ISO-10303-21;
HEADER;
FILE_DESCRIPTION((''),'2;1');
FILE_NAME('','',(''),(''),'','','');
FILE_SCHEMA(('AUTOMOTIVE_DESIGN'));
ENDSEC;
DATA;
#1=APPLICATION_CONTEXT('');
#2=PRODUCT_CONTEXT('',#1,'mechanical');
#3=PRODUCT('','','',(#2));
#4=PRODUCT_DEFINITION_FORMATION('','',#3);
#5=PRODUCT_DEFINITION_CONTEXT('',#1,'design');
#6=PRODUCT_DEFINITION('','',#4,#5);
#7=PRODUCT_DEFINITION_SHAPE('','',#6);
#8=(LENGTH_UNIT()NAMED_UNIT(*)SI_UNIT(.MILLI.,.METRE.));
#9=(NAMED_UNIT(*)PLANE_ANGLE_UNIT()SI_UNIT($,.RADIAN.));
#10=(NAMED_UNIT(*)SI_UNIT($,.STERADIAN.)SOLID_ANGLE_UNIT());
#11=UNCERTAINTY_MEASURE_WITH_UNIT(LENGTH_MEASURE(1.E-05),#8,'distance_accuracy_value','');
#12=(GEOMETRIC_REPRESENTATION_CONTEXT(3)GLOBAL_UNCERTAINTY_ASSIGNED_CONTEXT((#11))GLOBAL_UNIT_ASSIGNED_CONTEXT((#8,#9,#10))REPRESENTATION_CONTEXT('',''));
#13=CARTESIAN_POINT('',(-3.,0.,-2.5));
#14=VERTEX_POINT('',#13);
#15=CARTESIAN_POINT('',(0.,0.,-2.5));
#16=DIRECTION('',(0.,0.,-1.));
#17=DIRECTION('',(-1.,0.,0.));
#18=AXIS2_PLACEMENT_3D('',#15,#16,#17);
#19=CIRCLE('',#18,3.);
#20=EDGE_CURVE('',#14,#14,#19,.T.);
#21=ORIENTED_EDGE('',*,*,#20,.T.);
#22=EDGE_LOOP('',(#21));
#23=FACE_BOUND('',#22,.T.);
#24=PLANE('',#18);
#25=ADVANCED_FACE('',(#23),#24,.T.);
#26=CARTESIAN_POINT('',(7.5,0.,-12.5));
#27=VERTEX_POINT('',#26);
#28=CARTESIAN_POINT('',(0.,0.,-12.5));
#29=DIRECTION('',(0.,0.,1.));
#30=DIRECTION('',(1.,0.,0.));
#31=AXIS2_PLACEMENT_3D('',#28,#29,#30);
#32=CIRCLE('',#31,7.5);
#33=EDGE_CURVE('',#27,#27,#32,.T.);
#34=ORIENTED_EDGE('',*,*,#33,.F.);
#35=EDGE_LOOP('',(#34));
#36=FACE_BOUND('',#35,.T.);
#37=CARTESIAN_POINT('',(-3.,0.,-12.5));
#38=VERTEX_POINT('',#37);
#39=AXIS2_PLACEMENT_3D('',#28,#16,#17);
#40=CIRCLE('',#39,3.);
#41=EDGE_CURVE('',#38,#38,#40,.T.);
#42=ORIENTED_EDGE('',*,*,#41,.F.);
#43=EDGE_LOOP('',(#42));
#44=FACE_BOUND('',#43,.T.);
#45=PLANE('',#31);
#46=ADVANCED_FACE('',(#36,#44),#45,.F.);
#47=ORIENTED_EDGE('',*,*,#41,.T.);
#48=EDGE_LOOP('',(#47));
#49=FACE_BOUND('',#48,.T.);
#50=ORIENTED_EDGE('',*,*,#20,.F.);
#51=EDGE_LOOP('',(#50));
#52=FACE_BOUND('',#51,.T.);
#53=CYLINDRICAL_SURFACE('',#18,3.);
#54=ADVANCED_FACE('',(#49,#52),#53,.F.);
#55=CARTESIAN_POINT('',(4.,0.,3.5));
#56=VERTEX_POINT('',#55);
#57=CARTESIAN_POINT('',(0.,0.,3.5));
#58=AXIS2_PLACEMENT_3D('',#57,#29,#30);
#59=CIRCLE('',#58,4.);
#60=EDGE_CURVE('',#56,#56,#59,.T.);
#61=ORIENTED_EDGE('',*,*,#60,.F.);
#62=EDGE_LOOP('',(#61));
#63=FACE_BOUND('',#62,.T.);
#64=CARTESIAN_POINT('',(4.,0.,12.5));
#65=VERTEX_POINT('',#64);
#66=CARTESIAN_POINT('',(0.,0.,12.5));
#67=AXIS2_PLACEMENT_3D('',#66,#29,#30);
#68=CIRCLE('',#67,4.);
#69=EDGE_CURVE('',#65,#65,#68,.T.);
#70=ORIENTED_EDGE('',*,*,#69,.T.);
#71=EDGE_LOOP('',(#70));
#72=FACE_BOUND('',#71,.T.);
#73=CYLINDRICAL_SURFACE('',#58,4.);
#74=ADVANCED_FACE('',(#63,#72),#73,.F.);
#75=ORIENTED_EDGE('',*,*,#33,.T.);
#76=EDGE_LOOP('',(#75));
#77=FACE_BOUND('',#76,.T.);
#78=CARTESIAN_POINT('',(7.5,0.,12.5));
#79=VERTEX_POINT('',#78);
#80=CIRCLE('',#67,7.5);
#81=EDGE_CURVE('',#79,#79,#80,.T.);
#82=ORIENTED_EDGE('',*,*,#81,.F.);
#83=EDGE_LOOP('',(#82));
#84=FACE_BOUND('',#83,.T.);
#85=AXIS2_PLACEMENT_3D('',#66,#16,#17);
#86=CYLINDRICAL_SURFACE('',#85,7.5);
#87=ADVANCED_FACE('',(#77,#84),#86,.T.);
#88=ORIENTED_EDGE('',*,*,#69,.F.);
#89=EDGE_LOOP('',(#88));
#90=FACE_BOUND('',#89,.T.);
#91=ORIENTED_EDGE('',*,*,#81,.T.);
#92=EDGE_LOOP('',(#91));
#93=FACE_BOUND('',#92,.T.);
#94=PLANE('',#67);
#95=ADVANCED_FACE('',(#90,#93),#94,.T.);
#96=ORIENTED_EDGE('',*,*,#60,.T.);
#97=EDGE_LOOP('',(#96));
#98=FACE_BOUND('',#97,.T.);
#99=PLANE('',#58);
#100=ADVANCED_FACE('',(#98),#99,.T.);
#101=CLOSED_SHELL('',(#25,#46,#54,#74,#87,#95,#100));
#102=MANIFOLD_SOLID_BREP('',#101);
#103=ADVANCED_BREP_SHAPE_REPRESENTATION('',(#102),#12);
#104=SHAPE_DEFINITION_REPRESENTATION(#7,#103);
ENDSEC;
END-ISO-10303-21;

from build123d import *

# Parameters (mm, degrees)
SKETCH_1_R          = 7.5
EXTRUDE_1_DEPTH     = 12.5
SKETCH_2_R          = 3
CUT_EXTRUDE_1_DEPTH = 10
SKETCH_3_R          = 4
CUT_EXTRUDE_2_DEPTH = 9


with BuildPart() as part:
    # 草图1 → 凸台-拉伸1 (new, symmetric)
    with BuildSketch(Plane.XY):
        Circle(SKETCH_1_R)
    extrude(amount=EXTRUDE_1_DEPTH, both=True)

    # 草图2 → 切除-拉伸1 (cut)
    with BuildSketch(Plane(origin=(0, 0, -12.5), x_dir=(-1, 0, 0), z_dir=(0, 0, -1))):
        Circle(SKETCH_2_R)
    extrude(amount=-CUT_EXTRUDE_1_DEPTH, mode=Mode.SUBTRACT)

    # 草图3 → 切除-拉伸2 (cut)
    with BuildSketch(Plane.XY.offset(12.5)):
        Circle(SKETCH_3_R)
    extrude(amount=-CUT_EXTRUDE_2_DEPTH, mode=Mode.SUBTRACT)


solid = part.part
